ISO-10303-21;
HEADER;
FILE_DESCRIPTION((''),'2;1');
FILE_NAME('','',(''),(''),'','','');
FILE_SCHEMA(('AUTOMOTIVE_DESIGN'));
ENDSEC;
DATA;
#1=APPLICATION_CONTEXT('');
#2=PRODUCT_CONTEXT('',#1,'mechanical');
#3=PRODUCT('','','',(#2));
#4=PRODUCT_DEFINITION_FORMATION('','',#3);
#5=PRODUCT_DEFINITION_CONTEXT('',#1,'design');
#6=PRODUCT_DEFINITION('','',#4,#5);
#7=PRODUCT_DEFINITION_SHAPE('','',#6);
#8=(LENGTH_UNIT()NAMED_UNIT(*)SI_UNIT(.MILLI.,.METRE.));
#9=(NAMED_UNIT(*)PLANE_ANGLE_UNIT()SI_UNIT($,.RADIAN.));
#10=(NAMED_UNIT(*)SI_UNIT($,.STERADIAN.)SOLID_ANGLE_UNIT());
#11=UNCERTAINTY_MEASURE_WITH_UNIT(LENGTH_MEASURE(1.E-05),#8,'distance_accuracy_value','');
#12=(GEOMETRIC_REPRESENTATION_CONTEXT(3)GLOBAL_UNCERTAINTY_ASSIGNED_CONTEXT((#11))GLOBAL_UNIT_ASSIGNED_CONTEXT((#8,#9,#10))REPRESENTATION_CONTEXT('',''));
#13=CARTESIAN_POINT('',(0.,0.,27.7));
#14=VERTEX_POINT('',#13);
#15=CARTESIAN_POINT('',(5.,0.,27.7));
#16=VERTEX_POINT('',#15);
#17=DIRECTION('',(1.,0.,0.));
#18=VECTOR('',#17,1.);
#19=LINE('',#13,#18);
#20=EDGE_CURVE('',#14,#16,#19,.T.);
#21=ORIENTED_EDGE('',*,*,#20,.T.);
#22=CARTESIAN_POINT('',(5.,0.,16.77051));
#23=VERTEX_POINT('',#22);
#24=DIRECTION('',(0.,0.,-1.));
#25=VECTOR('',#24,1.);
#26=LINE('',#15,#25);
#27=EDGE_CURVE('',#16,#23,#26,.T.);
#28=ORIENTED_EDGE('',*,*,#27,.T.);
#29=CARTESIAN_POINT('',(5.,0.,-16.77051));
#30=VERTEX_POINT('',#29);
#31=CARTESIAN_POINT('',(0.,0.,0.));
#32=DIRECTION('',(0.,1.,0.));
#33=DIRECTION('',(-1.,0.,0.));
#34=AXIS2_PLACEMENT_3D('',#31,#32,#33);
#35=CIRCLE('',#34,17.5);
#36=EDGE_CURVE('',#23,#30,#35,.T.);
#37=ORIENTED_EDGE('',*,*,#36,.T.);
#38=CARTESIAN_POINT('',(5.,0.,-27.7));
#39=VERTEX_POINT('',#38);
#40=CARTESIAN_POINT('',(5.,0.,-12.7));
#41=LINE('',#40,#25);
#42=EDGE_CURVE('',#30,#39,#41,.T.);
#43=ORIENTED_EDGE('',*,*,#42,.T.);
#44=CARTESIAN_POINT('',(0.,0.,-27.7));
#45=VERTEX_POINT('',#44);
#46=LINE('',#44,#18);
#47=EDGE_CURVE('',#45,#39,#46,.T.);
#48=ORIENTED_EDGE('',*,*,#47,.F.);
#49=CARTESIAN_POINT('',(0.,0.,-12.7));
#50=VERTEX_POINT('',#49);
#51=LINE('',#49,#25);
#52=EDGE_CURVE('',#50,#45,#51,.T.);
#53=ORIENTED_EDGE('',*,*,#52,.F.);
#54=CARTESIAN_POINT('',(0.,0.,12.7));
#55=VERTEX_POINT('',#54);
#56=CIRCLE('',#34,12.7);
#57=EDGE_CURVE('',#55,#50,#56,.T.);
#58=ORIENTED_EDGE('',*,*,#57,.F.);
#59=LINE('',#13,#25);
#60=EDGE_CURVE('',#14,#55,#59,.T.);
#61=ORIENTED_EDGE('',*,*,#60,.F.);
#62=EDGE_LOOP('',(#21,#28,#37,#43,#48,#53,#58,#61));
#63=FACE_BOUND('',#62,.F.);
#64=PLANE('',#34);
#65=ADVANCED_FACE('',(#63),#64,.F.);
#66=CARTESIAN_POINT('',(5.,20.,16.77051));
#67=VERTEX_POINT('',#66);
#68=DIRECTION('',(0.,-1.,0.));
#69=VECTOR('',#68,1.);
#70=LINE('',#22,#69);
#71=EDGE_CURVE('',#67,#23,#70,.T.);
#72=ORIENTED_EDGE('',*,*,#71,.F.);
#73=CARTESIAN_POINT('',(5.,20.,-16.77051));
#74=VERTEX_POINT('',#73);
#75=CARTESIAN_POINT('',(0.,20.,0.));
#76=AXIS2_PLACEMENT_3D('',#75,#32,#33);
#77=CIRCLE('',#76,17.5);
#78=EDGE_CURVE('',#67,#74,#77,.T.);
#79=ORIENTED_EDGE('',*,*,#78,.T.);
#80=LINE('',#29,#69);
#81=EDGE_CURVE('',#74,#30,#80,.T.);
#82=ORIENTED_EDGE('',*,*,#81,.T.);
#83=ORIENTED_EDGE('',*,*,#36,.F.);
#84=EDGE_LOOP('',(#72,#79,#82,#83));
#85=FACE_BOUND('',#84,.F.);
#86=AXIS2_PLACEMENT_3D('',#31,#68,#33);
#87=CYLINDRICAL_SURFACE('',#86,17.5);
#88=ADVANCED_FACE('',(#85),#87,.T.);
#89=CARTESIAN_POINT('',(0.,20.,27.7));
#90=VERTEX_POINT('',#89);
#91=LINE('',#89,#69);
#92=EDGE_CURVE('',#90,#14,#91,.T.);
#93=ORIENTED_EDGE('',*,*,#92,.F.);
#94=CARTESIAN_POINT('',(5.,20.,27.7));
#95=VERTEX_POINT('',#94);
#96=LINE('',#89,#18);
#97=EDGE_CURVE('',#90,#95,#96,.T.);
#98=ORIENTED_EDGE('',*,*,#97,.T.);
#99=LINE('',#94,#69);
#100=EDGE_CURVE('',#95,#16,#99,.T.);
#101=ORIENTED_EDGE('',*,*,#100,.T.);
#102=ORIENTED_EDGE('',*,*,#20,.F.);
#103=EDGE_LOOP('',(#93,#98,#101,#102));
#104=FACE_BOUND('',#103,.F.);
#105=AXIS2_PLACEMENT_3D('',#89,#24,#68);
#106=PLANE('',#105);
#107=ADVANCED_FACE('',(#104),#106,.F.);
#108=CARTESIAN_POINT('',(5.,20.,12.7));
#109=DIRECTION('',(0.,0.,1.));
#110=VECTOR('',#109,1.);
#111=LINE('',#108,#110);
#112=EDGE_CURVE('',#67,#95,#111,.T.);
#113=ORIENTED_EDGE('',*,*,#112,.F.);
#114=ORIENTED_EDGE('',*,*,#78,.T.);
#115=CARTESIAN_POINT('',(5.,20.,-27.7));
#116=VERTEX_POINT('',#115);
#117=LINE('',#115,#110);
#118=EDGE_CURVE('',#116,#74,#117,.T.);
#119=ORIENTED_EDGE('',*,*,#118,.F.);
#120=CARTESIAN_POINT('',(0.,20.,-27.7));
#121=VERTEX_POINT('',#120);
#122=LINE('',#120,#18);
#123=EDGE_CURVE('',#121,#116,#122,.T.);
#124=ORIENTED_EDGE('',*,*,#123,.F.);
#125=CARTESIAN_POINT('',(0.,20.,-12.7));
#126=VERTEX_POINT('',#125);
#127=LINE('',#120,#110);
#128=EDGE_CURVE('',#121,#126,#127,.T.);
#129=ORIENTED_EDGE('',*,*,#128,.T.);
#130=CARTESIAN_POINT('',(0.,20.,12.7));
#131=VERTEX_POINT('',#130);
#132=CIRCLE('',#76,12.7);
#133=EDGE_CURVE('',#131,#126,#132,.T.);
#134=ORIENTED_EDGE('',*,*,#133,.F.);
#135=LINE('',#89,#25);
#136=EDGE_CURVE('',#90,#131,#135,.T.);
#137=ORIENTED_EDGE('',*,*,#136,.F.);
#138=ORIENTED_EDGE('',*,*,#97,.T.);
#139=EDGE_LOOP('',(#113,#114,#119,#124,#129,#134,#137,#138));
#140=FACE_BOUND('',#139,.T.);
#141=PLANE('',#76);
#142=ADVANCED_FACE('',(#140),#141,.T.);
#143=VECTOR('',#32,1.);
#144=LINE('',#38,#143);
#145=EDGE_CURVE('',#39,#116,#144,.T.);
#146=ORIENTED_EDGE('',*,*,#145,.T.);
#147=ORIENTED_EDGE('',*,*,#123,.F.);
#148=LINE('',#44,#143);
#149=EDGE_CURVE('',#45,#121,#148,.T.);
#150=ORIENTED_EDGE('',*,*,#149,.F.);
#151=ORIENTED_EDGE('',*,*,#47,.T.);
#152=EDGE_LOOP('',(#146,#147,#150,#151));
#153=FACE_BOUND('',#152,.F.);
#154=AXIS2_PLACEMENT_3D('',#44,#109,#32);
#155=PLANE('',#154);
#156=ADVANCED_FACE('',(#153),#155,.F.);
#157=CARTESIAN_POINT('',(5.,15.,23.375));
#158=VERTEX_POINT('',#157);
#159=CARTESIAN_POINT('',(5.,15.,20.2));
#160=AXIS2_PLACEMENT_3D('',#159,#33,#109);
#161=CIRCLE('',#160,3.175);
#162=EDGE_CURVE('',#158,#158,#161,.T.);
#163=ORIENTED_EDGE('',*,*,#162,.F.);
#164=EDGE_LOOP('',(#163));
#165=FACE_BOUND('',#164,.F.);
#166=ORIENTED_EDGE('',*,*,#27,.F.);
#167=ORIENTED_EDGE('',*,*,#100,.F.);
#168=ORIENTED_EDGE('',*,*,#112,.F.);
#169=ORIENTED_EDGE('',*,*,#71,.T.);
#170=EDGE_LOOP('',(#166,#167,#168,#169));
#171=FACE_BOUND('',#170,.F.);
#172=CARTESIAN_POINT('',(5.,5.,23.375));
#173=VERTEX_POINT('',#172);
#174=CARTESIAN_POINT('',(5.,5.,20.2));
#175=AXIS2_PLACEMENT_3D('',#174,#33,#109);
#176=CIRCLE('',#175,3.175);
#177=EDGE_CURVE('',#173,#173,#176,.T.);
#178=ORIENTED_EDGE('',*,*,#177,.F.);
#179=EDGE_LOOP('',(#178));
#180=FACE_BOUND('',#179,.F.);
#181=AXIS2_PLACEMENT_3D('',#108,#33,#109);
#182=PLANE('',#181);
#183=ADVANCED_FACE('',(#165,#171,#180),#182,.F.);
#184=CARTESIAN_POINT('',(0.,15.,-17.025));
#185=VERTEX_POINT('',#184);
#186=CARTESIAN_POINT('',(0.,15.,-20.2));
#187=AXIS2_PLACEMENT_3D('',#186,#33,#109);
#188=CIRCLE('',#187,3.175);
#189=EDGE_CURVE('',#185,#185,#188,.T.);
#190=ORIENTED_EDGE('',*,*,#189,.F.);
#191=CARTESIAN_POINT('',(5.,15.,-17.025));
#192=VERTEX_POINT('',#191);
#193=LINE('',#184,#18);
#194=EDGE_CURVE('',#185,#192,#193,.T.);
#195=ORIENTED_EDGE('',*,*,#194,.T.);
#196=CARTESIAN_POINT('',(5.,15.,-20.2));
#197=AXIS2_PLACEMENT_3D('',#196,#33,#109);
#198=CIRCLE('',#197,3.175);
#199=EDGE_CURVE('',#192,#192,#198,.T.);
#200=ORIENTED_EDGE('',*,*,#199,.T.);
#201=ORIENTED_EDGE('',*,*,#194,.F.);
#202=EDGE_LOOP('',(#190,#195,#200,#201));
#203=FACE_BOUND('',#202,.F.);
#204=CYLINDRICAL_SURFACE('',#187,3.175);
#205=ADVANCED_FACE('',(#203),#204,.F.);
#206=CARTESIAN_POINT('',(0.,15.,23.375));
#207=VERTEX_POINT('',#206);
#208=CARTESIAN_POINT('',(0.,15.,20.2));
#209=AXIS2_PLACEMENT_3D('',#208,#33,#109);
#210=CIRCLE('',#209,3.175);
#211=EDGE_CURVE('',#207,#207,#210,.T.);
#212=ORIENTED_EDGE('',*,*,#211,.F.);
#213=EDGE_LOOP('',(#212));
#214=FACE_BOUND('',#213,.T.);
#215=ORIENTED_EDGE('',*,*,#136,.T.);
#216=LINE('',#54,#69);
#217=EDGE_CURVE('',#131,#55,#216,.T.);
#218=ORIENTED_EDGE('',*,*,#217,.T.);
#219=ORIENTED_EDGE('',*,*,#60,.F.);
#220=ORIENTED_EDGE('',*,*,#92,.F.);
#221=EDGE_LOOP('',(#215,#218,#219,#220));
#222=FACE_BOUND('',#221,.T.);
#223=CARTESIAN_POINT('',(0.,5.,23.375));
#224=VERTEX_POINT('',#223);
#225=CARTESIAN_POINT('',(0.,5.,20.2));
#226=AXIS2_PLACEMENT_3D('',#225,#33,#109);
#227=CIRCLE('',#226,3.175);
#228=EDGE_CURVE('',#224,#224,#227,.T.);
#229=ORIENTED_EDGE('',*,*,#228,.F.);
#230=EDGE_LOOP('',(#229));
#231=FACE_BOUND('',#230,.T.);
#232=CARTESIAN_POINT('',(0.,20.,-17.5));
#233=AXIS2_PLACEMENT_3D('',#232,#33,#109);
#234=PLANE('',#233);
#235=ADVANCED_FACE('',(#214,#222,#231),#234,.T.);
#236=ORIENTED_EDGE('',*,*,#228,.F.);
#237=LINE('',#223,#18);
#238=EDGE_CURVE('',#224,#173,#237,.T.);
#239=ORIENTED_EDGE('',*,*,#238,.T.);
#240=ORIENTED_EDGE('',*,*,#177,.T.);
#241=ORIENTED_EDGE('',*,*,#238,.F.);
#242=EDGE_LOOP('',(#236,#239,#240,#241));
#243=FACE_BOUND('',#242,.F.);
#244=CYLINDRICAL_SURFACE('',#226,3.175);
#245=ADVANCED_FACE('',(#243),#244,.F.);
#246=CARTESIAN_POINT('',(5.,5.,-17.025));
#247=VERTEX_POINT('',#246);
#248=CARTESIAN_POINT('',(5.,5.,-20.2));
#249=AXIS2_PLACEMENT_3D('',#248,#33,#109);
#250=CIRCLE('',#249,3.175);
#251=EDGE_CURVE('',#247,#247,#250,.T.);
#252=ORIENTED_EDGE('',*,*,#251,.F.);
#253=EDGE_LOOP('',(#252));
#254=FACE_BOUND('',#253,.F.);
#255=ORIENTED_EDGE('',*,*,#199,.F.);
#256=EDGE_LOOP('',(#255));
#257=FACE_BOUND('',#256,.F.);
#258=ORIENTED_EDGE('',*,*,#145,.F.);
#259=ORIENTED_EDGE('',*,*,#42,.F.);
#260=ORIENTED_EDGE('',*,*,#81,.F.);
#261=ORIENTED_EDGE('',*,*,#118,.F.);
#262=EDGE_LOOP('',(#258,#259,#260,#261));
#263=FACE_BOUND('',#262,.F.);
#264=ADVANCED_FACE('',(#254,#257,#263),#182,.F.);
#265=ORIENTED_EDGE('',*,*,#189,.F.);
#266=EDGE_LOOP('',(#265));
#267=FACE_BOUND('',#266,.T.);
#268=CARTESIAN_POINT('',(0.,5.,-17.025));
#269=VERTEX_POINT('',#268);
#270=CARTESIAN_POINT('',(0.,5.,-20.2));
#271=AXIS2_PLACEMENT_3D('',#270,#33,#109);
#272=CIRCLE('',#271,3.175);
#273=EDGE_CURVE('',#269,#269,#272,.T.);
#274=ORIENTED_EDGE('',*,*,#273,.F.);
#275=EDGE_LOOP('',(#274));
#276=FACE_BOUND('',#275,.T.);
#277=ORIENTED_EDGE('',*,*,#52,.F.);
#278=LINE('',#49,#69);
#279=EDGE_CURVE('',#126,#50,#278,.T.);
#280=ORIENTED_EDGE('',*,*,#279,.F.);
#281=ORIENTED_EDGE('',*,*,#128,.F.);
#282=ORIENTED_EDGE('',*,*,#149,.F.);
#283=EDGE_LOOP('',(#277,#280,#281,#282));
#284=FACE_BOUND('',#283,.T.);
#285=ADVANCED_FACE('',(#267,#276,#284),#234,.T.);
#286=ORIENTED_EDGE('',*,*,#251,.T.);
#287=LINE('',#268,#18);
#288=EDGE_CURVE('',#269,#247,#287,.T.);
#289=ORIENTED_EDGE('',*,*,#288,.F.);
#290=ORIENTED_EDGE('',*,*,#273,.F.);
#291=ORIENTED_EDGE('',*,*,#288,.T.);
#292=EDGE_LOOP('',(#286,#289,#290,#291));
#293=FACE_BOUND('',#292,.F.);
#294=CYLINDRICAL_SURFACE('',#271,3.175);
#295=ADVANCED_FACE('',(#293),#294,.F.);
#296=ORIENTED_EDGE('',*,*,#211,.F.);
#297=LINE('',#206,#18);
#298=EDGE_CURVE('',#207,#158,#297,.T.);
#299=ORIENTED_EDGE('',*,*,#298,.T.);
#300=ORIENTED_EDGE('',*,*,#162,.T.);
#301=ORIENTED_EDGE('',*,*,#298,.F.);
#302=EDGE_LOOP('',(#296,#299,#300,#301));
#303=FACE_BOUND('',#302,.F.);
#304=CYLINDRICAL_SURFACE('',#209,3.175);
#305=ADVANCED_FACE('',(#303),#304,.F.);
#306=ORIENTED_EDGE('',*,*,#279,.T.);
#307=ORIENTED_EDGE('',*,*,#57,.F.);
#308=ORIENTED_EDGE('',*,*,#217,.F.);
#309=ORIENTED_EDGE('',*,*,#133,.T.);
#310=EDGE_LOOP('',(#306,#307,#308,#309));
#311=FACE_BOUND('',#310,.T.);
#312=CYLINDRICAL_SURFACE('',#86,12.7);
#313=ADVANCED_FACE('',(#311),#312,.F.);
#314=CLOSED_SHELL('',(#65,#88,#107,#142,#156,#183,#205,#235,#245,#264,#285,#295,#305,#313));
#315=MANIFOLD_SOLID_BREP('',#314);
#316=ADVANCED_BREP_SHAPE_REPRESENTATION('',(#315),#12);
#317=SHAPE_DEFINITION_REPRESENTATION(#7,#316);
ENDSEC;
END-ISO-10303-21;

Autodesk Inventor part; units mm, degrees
ref_plane "YZ Plane" through (0, 0, 0) normal (1, 0, 0) x (0, 1, 0)
ref_plane "XZ Plane" through (0, 0, 0) normal (0, 1, 0) x (-1, 0, 0)
ref_plane "XY Plane" through (0, 0, 0) normal (0, 0, 1) x (1, 0, 0)
sketch "Sketch1" plane through (0, 0, 0) normal (0, 1, 0) x (-1, 0, 0)
  circle A0 centre (0, 0) radius 12.7
  circle A1 centre (0, 0) radius 17.5
  dimension "d0" = 25.4
  dimension "d1" = 35
extrude "Extrusion1" add sketch "Sketch1" along normal blind 20
sketch "Sketch2" plane through (0, 20, 0) normal (0, 1, 0) x (1, 0, 0)
  circle A0 centre (0, 0) radius 17.5 projected
  line L0 (0, -17.5) -> (-17.5, -17.5)
  line L1 (-17.5, -17.5) -> (-17.5, 18.3836)
  line L2 (-17.5, 18.3836) -> (0, 18.3836)
  line L3 (0, 18.3836) -> (0, -17.5)
extrude "Extrusion2" cut sketch "Sketch2" against normal blind 20 contours L0 L1 A0 | A0 L3 | L1 L2 L3 A0 picked at (-8.2181, -1.8757)
sketch "Sketch3" plane through (0, 20, 12.7) normal (-1, 0, 0) x (0, 0, 1)
  line L0 (-25.4, 0) -> (-25.4, -20) projected
  line L1 (-25.4, -20) -> (-40.4, -20)
  line L2 (-40.4, -20) -> (-40.4, 0)
  line L3 (-40.4, 0) -> (-25.4, 0)
  line L4 (-25.4, 0) -> (-25.4, -20)
  line L5 (-25.4, 0) -> (0, 0) projected
  line L6 (0, 0) -> (15, 0)
  line L7 (15, 0) -> (15, -20)
  line L8 (15, -20) -> (0, -20)
  line L9 (0, -20) -> (0, 0)
  point P0 (-12.7, -20)
  dimension "d6" = 15
  dimension "d7" = 15
sketch "Sketch4" plane through (0, 20, 12.7) normal (-1, 0, 0) x (0, 0, 1)
  line L0 (-25.4, 0) -> (-25.4, -20) construction
  line L1 (-25.4, -10) -> (-40.4302, -10) construction
  line L2 (-40.4302, -10) -> (15.0302, -10) construction
  point P0 (-12.7, -20)
extrude "Extrusion3" add sketch "Sketch3" against normal blind 5
sketch "Sketch5" plane through (0, 0, 12.7) normal (-1, 0, 0) x (0, 0, 1)
  line L0 (-29.4705, 0) -> (-40.4, 0) construction
  line L1 (-40.4, 0) -> (-25.4, 10) construction
  line L2 (-25.4, 20) -> (-25.4, 0) construction
  line L3 (-40.4, 10) -> (-25.4, 0) construction
  line L4 (-25.4, 0) -> (-40.4, 10) construction
  line L5 (-25.4, 20) -> (0, 20) construction
  line L6 (-40.4, 10) -> (-25.4, 20) construction
  line L7 (-25.4, 20) -> (-40.4, 20) construction
  line L8 (-40.4, 20) -> (-25.4, 10) construction
  line L9 (0, 0) -> (-25.4, 0) construction
  line L10 (0, 0) -> (15, 10) construction
  line L11 (15, 20) -> (15, 0) construction
  line L12 (0, 0) -> (0, 20) construction
  line L13 (0, 10) -> (15, 0) construction
  line L14 (0, 10) -> (15, 20) construction
  line L15 (0, 20) -> (15, 10) construction
  circle A0 centre (-32.9, 15) radius 3.175 construction
  circle A1 centre (-32.9, 15) radius 3.175
  circle A2 centre (-32.9, 5) radius 3.175
  circle A3 centre (7.5, 5) radius 3.175
  circle A4 centre (7.5, 15) radius 3.175
  point P0 (-12.7, 0)
  dimension "d10" = 6.35
  dimension "d11" = 6.35
  dimension "d12" = 6.35
  dimension "d13" = 6.35
  dimension "d14" = 6.35
extrude "Extrusion4" cut sketch "Sketch5" against normal blind 5
properties part number "scopeCupler"
